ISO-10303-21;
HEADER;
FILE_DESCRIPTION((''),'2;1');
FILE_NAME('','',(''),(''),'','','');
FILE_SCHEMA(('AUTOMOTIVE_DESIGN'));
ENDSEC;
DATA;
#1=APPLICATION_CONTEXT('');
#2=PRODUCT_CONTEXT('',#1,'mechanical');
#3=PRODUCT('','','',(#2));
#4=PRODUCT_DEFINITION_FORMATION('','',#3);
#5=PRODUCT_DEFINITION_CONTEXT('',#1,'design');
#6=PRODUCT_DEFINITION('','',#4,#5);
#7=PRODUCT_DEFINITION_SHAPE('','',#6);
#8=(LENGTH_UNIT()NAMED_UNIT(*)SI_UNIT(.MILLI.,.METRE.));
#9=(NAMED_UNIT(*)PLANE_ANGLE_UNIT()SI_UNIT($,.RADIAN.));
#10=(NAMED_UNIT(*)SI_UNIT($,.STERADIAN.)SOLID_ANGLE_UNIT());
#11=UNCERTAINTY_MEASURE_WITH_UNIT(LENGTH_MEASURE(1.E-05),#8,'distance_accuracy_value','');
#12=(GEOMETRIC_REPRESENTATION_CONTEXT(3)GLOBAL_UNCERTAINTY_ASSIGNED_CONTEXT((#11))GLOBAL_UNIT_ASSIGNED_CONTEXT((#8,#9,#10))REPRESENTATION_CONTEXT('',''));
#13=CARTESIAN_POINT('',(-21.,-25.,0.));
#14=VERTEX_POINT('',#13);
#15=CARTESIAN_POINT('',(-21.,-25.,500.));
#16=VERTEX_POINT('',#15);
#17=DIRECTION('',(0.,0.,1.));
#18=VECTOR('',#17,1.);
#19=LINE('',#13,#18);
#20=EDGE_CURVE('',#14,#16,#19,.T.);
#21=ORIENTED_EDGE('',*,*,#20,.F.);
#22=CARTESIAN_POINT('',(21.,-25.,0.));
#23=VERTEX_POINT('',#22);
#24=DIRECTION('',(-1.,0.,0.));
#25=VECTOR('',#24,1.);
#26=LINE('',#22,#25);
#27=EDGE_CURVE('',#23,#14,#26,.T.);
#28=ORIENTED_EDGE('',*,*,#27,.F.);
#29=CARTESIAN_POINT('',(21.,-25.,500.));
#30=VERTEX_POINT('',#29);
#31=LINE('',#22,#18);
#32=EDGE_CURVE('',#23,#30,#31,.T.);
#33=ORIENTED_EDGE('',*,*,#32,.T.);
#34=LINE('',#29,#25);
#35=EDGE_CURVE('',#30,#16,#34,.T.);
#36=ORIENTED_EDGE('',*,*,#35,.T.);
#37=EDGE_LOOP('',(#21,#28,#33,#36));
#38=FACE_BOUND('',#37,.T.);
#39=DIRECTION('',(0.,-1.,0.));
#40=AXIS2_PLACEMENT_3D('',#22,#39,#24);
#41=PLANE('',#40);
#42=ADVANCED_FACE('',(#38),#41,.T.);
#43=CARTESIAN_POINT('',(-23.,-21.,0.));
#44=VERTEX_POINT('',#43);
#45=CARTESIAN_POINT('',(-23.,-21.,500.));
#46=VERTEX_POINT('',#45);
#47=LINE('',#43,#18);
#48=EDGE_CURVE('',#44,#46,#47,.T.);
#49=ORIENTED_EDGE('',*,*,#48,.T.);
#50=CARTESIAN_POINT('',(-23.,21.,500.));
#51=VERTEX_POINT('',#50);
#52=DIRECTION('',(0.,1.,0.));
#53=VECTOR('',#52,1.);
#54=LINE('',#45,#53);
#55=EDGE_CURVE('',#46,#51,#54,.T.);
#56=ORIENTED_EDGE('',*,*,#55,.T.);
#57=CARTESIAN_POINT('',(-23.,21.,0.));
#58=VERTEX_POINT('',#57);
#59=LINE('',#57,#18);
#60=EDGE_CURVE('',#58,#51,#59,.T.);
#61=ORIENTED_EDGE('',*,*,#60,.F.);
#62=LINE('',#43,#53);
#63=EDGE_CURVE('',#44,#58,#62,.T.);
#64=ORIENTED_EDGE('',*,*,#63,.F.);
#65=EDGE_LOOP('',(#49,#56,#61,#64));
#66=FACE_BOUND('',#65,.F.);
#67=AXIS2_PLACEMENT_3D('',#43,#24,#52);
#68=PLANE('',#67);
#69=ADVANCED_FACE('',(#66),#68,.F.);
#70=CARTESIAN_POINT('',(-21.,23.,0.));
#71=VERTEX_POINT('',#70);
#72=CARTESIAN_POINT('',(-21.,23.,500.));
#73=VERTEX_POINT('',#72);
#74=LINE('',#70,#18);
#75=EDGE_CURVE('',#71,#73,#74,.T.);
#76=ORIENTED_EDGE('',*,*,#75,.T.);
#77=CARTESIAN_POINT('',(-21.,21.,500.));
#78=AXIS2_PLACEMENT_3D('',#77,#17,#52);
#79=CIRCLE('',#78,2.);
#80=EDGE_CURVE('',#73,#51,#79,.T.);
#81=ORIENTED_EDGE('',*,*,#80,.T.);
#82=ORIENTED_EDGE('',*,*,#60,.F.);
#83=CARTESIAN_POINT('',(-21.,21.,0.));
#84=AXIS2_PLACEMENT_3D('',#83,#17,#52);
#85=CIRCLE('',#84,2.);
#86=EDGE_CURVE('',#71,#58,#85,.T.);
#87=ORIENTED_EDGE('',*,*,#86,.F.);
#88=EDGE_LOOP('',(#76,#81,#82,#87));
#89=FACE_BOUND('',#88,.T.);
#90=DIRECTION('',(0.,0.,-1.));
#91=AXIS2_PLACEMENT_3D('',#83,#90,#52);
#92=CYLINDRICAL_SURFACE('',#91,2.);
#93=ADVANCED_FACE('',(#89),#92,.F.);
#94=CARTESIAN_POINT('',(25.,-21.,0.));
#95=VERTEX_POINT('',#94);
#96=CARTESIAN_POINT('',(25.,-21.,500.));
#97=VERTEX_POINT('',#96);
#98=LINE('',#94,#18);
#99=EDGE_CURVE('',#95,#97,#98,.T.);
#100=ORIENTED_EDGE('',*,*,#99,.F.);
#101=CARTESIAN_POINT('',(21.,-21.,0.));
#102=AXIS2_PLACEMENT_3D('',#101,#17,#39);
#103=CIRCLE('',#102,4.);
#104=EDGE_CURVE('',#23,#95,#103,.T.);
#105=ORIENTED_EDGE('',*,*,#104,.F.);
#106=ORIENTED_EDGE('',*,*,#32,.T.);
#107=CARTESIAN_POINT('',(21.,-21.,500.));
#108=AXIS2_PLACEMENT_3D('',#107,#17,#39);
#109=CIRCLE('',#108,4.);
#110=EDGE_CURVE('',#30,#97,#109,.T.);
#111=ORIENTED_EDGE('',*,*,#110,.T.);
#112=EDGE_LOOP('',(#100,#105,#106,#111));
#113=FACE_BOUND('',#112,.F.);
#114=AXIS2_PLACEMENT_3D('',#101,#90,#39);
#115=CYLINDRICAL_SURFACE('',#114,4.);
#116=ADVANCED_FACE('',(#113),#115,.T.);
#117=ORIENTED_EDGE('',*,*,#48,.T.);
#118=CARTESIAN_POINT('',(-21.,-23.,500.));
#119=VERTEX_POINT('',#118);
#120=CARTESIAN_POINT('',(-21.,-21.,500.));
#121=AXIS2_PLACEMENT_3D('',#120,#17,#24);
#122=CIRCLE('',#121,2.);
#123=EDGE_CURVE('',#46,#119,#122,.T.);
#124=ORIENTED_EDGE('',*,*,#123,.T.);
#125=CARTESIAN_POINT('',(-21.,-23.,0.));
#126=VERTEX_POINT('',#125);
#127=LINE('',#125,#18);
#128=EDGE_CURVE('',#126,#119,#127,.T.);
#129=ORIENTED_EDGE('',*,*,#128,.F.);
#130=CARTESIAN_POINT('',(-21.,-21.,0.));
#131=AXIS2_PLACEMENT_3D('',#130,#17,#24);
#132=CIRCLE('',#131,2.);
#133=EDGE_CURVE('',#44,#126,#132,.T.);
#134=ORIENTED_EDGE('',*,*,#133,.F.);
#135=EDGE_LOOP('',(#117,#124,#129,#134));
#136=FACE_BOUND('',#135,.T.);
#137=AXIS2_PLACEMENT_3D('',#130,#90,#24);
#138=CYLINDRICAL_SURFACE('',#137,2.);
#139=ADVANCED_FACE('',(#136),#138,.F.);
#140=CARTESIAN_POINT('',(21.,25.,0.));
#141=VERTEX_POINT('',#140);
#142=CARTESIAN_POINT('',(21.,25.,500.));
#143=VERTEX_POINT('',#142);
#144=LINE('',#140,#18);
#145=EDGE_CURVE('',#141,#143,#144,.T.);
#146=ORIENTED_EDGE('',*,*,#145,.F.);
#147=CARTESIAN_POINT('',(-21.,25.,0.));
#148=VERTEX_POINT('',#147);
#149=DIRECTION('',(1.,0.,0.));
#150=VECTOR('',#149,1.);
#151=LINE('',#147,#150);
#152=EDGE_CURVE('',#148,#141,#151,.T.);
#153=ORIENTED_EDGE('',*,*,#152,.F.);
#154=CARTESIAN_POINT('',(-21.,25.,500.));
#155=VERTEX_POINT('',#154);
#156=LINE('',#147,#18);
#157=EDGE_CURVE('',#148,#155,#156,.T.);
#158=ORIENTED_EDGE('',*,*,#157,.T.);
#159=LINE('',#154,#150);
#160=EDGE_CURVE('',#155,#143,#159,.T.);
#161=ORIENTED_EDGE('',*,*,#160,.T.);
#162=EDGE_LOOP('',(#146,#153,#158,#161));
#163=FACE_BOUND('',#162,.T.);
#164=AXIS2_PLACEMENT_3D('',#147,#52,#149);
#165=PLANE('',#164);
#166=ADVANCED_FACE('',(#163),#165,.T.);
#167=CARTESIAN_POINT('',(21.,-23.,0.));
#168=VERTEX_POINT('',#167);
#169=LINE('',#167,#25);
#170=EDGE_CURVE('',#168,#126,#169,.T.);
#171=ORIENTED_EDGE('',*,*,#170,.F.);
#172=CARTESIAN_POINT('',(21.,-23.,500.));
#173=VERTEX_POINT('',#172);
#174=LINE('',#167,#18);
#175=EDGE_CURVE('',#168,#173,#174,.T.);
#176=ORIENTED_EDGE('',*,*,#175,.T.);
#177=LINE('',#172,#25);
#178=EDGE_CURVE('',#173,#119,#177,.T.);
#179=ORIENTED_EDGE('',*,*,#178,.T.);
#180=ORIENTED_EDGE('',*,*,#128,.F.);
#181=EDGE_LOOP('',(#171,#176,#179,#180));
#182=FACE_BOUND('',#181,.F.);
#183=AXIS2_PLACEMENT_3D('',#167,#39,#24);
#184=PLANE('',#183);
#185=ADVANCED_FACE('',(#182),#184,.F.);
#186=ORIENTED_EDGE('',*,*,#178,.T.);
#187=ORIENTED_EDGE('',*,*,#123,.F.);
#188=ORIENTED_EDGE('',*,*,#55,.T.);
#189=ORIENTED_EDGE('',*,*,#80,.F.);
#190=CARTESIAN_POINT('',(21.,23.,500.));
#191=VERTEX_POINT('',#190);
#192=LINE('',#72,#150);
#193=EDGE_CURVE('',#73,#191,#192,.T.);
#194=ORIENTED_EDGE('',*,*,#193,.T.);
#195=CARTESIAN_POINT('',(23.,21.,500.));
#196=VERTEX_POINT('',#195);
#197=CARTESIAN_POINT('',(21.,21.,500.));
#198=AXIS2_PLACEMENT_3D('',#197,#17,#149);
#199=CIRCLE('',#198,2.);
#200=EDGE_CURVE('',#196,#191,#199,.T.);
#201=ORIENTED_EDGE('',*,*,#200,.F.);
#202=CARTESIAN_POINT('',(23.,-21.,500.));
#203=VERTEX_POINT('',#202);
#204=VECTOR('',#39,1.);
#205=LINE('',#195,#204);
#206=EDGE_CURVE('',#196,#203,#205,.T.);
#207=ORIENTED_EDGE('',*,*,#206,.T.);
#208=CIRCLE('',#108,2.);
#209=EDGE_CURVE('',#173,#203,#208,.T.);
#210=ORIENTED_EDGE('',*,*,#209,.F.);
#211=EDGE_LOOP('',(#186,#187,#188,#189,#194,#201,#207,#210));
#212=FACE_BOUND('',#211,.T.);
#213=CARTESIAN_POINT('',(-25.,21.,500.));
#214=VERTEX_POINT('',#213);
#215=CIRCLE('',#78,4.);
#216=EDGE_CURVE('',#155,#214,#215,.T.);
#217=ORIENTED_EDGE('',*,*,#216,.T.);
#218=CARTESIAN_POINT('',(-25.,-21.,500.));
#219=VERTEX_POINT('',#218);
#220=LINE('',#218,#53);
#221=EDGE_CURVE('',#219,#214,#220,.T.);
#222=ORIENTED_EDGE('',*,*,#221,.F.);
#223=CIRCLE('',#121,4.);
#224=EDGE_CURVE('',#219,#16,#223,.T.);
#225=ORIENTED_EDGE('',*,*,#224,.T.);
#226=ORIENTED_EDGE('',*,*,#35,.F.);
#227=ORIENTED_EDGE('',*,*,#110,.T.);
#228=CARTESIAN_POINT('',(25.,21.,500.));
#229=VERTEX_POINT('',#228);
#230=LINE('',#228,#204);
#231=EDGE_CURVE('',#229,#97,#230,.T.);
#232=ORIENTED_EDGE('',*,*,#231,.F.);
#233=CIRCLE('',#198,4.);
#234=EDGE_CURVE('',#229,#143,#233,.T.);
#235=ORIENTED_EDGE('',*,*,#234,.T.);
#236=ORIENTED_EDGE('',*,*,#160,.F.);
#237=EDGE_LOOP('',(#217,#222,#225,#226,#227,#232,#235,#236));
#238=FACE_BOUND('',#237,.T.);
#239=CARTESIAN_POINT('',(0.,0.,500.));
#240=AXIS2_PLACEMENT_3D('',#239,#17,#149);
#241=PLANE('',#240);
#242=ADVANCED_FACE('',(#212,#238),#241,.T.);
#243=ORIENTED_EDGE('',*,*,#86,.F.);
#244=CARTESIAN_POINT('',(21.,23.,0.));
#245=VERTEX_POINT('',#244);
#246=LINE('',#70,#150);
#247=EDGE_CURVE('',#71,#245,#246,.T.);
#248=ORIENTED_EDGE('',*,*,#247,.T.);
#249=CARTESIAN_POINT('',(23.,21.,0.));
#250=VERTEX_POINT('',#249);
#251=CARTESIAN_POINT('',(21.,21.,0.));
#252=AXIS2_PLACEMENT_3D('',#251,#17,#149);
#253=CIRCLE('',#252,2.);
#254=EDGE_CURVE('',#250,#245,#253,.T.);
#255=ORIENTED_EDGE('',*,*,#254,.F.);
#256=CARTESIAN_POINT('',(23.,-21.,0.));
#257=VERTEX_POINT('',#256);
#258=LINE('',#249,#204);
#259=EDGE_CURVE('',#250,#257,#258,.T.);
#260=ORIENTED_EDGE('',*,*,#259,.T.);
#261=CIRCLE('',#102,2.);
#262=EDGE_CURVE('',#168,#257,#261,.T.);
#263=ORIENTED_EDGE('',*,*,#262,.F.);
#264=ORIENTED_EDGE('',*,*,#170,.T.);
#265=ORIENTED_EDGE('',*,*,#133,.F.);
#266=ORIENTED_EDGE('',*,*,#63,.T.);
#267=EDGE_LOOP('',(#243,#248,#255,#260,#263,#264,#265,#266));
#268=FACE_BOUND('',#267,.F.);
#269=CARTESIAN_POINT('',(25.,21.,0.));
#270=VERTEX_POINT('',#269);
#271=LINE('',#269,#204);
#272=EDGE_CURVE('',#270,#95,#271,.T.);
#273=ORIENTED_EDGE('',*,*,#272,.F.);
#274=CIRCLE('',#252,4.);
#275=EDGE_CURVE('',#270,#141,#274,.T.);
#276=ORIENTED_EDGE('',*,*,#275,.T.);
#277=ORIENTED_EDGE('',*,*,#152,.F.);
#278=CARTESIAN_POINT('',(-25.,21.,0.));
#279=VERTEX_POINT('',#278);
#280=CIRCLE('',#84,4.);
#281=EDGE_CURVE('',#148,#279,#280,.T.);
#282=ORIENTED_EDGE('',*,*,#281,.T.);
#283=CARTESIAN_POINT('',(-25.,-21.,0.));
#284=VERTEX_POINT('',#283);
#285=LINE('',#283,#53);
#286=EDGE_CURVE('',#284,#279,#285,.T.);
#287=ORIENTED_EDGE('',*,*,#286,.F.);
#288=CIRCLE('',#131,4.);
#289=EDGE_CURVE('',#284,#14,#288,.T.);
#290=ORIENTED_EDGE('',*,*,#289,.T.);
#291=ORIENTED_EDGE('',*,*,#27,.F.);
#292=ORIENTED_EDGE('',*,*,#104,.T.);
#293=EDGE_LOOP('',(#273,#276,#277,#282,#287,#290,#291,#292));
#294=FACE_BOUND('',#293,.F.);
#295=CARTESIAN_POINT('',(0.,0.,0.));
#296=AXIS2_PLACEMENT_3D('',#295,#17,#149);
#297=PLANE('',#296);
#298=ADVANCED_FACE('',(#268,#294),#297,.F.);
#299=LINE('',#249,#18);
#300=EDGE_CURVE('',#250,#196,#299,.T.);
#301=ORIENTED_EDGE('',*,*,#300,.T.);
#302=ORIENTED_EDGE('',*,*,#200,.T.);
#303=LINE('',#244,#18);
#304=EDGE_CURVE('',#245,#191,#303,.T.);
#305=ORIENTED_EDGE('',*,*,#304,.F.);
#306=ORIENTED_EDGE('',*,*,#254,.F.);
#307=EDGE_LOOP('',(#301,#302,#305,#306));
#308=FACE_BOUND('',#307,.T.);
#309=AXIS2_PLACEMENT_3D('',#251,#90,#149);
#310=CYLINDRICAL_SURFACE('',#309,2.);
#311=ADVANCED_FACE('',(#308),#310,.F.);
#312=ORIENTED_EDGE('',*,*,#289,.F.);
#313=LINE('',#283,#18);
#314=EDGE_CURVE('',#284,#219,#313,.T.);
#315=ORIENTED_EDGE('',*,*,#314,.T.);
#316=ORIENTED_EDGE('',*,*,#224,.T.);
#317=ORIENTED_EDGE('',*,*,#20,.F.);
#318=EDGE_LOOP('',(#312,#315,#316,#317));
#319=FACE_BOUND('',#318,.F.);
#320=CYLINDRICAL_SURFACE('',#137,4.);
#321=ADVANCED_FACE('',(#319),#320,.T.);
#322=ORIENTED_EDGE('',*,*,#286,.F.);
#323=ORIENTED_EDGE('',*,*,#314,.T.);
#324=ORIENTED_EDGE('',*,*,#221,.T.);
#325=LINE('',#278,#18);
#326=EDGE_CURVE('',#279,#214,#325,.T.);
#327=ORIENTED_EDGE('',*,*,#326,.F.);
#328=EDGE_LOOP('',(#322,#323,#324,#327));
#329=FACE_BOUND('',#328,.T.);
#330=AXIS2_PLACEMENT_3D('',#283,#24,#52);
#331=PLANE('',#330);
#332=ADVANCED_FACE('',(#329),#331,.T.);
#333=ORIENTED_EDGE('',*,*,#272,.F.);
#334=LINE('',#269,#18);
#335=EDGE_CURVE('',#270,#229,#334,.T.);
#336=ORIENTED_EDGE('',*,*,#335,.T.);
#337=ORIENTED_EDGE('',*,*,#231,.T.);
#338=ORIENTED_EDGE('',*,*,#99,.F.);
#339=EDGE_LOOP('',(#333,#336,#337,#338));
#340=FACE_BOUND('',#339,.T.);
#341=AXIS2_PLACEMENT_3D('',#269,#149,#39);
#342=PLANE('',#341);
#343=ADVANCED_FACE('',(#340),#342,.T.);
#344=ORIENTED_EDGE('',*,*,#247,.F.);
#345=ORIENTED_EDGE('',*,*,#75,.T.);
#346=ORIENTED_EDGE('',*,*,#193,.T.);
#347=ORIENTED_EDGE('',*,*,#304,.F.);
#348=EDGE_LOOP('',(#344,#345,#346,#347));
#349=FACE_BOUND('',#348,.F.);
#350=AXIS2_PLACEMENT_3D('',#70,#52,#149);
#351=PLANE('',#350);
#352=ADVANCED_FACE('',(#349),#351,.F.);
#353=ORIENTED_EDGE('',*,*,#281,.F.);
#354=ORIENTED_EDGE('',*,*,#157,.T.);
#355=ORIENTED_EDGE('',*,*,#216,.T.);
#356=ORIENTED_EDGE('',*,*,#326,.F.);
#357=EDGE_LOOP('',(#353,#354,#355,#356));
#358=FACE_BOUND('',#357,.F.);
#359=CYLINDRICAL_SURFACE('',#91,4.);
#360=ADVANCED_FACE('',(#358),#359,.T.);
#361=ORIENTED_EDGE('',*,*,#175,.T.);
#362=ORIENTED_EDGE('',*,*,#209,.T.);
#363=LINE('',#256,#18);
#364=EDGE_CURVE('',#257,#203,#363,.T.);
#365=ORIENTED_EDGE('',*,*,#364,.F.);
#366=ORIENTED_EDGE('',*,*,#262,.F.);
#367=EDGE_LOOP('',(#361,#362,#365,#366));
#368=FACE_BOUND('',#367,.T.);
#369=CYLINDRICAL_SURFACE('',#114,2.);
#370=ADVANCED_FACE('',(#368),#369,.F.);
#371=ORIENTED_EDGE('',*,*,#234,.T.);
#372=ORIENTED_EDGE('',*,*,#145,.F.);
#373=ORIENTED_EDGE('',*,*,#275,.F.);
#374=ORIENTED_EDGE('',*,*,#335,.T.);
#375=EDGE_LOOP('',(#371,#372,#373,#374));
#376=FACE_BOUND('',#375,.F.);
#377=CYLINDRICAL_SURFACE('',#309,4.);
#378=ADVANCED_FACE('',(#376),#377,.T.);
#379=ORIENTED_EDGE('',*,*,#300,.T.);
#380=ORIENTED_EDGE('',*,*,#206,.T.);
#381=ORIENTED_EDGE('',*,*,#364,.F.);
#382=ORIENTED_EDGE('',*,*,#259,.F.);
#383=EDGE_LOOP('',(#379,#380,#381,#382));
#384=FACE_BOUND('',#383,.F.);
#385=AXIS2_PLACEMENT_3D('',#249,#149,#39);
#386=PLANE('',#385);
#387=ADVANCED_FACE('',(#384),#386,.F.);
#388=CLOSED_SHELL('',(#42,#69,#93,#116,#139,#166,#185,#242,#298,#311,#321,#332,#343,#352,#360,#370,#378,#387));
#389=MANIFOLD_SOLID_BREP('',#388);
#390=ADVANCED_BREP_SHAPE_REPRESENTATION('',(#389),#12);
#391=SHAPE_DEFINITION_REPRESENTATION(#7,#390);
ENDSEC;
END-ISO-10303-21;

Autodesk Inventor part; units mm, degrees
ref_plane "YZ Plane" through (0, 0, 0) normal (1, 0, 0) x (0, 1, 0)
ref_plane "Start Plane" through (0, 0, 0) normal (0, 0, 1) x (1, 0, 0)
ref_plane "End Plane" through (0, 0, 500) normal (0, 0, 1) x (1, 0, 0)
sketch "Sketch" plane through (0, 0, 0) normal (0, 0, 1) x (1, 0, 0)
  line L0 (-25, -21) -> (-25, 21)
  line L1 (-21, 25) -> (21, 25)
  line L2 (25, 21) -> (25, -21)
  line L3 (21, -25) -> (-21, -25)
  arc A0 (-25, -21) -> (-21, -25) centre (-21, -21) ccw
  arc A1 (25, 21) -> (21, 25) centre (21, 21) ccw
  arc A2 (-21, 25) -> (-25, 21) centre (-21, 21) ccw
  arc A3 (21, -25) -> (25, -21) centre (21, -21) ccw
  arc A4 (-21, 23) -> (-23, 21) centre (-21, 21) ccw
  line L4 (-21, 23) -> (21, 23)
  arc A5 (23, 21) -> (21, 23) centre (21, 21) ccw
  line L5 (23, 21) -> (23, -21)
  arc A6 (21, -23) -> (23, -21) centre (21, -21) ccw
  line L6 (21, -23) -> (-21, -23)
  arc A7 (-23, -21) -> (-21, -23) centre (-21, -21) ccw
  line L7 (-23, -21) -> (-23, 21)
  line L8 (0, 36.1598) -> (0, -36.1598) construction
  line L9 (-36.1598, 0) -> (36.1598, 0) construction
  dimension "d7" = 4
  dimension "d9" = 50
  dimension "d11" = 50
  dimension "d12" = 2
  dimension "d15" = 25
  dimension "d16" = 25
extrude "Body" add sketch "Sketch" along normal up to surface (500 mm away) from surface at 0
sketch "Sketch3" plane through (0, 0, 0) normal (0, 0, 1) x (1, 0, 0)
  line L0 (0, 0) -> (10, 0)
ref_plane "Work Plane3" through (0, 0, 0) normal (0, -1, 0) x (1, 0, 0)
sketch "Sketch4" plane through (0, 0, 0) normal (0, -1, 0) x (1, 0, 0)
  line L0 (-2, 0) -> (12, 0) projected
  line L1 (-2, 500) -> (12, 500) projected
  dimension "d18" = 500
equation "\"d7\" = G_IR"
equation "\"d9\" = G_W"
equation "\"d11\" = G_H"
equation "\"d12\" = G_T"
equation "\"d15\" = 0.5 * d9"
equation "\"d16\" = 0.5 * d11"
equation "\"d3\" = G_L"
equation "\"G_W\" = 50"
equation "\"G_H\" = 50"
equation "\"G_T\" = 2"
equation "\"G_IR\" = 4"
equation "\"G_L\" = d18"
equation "\"G_OFFSET_START\" = 0"
equation "\"G_OFFSET_END\" = 0"
properties part number "ISO 4019 - 50x50x2 - 500" material "Steel, Mild"
